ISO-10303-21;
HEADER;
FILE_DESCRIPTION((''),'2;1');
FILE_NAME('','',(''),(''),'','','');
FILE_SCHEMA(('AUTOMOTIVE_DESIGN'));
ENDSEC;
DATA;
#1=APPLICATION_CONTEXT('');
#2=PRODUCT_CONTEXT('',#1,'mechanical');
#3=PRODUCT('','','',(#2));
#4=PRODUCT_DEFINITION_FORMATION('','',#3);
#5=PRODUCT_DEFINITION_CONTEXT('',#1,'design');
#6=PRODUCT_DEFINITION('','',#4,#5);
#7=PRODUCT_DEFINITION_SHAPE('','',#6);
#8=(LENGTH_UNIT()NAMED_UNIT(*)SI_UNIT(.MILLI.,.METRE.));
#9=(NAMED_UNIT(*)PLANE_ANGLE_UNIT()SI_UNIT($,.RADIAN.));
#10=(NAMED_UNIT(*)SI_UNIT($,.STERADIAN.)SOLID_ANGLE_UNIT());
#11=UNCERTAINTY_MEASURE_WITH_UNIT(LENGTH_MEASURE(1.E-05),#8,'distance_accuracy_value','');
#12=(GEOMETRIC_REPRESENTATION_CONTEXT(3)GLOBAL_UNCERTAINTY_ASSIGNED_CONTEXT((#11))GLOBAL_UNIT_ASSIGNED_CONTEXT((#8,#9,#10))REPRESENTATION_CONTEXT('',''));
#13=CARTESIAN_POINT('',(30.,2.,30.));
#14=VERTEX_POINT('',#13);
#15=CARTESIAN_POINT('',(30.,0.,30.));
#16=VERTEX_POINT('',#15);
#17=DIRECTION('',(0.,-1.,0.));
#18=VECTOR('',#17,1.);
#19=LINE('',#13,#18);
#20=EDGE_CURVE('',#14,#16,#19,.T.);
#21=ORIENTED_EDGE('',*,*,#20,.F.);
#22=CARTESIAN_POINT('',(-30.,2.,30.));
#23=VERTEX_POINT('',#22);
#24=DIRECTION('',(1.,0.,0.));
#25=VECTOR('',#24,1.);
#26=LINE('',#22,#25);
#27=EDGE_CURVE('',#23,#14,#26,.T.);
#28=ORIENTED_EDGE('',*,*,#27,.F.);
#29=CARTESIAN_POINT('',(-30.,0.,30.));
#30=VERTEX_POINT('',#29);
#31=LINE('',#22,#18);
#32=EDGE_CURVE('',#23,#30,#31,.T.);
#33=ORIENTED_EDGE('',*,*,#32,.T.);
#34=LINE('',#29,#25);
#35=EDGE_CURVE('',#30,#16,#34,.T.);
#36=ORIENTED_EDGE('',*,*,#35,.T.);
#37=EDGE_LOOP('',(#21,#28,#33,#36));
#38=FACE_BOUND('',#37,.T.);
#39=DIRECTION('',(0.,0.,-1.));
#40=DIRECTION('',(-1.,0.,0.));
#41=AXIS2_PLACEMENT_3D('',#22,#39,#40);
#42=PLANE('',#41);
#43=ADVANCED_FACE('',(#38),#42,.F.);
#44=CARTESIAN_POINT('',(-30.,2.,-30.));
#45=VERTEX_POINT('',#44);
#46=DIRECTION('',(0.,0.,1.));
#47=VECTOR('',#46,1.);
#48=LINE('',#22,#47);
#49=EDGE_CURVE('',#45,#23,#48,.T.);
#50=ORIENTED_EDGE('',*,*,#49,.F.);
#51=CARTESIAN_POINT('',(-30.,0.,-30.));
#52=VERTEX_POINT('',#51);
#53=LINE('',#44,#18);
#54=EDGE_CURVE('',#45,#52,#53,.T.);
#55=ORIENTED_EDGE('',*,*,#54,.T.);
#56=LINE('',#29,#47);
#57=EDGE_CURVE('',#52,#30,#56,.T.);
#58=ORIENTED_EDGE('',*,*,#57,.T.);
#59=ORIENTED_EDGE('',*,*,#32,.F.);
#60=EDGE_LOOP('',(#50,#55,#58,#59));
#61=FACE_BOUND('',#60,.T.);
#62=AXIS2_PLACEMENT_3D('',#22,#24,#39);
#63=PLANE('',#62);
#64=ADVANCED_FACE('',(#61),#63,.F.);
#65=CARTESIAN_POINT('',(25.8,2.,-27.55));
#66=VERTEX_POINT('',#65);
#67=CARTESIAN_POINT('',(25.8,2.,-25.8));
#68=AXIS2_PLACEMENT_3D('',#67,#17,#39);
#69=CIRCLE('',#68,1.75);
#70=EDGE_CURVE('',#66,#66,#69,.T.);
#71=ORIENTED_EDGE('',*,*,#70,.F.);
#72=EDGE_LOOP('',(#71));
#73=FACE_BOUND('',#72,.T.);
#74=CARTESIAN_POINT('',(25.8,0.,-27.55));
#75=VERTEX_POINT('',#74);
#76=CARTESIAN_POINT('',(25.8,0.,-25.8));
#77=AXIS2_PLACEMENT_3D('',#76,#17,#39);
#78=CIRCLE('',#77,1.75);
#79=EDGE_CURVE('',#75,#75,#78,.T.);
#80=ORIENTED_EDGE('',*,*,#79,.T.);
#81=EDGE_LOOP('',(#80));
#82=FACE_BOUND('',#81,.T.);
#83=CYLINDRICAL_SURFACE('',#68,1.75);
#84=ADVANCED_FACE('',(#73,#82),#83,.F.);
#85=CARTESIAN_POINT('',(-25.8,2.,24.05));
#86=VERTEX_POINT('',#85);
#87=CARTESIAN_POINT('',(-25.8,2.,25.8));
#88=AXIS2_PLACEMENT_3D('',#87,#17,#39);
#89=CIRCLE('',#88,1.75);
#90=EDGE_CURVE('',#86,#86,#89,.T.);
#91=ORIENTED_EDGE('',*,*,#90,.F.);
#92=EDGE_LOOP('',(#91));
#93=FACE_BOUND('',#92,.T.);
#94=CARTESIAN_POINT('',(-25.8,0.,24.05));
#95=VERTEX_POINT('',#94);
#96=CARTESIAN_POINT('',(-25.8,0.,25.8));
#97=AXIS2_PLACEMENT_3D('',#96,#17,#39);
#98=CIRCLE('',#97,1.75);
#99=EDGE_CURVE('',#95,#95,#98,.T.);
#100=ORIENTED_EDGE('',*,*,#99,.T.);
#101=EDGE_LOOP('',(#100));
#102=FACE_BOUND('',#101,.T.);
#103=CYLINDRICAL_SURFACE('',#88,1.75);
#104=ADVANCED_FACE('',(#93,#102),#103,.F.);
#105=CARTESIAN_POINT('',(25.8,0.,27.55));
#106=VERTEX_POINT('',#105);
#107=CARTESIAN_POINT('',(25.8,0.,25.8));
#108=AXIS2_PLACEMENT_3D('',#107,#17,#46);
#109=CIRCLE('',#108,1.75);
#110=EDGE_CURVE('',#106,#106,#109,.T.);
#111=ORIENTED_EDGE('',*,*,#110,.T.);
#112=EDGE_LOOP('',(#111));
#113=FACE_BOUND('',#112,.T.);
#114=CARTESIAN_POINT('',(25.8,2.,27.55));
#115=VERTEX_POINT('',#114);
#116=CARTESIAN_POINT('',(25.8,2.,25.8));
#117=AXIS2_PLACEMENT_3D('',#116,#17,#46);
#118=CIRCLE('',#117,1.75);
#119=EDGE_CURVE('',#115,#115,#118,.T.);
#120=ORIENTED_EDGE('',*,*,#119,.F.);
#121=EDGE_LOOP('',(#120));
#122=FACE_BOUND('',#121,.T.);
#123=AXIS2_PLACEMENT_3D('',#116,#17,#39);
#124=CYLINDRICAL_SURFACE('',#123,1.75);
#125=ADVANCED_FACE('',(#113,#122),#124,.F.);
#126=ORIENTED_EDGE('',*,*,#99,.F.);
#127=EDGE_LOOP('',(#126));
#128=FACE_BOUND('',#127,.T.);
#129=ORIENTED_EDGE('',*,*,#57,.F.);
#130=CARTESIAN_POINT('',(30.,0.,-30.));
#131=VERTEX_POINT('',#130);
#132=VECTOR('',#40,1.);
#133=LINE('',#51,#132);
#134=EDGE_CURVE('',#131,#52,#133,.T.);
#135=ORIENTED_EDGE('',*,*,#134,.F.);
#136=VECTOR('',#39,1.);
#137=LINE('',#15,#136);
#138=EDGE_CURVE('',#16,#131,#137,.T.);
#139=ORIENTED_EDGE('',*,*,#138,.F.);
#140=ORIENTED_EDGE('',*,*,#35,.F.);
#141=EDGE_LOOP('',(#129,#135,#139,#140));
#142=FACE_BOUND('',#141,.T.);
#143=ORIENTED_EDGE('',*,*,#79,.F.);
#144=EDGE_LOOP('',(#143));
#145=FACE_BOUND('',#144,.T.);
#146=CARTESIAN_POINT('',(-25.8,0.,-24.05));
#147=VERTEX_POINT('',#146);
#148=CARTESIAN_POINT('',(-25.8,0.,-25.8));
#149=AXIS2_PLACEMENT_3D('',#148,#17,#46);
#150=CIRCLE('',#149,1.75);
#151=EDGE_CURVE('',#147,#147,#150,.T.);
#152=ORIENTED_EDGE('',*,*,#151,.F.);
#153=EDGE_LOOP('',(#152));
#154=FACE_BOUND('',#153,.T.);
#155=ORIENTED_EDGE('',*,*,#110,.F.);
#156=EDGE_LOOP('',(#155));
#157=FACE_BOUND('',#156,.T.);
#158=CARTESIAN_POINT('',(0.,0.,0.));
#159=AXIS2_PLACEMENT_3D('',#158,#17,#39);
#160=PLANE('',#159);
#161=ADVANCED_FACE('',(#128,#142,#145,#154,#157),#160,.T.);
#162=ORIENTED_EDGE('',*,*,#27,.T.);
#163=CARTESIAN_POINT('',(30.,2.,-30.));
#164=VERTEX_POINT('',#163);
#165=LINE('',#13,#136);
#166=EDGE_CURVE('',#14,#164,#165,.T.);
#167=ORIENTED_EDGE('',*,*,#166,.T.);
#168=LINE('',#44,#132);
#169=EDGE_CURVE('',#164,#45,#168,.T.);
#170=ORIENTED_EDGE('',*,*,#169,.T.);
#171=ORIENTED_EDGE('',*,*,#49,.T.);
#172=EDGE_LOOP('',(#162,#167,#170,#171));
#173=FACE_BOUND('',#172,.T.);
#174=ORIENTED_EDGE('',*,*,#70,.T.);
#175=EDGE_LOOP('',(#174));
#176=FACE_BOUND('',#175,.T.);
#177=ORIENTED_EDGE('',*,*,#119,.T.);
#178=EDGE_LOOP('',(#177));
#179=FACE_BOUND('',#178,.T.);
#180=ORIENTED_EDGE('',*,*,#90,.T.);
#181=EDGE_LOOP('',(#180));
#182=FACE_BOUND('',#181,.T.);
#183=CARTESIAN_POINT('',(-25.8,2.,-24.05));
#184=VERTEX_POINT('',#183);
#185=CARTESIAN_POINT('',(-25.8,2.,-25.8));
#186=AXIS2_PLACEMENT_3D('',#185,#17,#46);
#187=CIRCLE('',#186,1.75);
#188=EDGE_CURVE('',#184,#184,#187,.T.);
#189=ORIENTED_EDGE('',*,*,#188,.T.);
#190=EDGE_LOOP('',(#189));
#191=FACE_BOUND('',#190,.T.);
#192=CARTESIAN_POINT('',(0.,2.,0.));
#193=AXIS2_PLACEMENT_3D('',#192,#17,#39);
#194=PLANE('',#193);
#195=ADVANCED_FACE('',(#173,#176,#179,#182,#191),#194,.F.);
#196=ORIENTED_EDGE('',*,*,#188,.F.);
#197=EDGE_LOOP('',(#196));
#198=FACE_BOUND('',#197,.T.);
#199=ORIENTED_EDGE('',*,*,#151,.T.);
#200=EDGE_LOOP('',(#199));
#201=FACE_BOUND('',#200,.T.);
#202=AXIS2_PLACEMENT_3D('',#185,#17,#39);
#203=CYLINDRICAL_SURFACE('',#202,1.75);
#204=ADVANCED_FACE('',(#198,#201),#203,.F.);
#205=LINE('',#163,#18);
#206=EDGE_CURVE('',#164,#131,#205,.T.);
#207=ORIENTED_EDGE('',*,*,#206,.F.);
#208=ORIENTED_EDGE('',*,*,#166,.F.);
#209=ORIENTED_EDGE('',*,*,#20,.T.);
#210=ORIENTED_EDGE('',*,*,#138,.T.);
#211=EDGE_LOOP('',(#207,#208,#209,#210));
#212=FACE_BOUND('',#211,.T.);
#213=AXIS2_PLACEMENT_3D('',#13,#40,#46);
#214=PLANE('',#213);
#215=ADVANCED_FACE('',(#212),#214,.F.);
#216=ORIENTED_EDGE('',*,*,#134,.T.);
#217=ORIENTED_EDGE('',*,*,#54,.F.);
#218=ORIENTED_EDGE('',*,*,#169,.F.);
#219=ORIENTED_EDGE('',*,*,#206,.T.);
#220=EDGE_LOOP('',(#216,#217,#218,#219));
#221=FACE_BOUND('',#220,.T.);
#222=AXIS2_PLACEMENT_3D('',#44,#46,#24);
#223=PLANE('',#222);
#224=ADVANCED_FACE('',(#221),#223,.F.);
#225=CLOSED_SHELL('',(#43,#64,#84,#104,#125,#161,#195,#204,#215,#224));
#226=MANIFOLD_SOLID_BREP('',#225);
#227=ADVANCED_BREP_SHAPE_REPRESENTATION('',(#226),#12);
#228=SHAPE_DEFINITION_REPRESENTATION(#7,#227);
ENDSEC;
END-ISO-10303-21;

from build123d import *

# Parameters (mm, degrees)
SKETCH_1_W          = 60
SKETCH_1_H          = 60
EXTRUDE_1_DEPTH     = 2
SKETCH_2_R          = 1.75
CUT_EXTRUDE_1_DEPTH = 2


with BuildPart() as part:
    # 草图1 → 凸台-拉伸1 (new body)
    with BuildSketch(Plane(origin=(0, 0, 0), x_dir=(1, 0, 0), z_dir=(0, 1, 0))):
        Rectangle(SKETCH_1_W, SKETCH_1_H)
    extrude(amount=EXTRUDE_1_DEPTH)

    # 草图2 → 切除-拉伸1 (cut)
    with BuildSketch(Plane.XZ):
        with Locations(Location((-25.8, 25.8, 0), (0, 0, 270))):
            Circle(SKETCH_2_R)
        with Locations(Location((25.8, 25.8, 0), (0, 0, 90))):
            Circle(SKETCH_2_R)
        with Locations(Location((25.8, -25.8, 0), (0, 0, 270))):
            Circle(SKETCH_2_R)
        with Locations(Location((-25.8, -25.8, 0), (0, 0, 90))):
            Circle(SKETCH_2_R)
    extrude(amount=-CUT_EXTRUDE_1_DEPTH, mode=Mode.SUBTRACT)


solid = part.part
